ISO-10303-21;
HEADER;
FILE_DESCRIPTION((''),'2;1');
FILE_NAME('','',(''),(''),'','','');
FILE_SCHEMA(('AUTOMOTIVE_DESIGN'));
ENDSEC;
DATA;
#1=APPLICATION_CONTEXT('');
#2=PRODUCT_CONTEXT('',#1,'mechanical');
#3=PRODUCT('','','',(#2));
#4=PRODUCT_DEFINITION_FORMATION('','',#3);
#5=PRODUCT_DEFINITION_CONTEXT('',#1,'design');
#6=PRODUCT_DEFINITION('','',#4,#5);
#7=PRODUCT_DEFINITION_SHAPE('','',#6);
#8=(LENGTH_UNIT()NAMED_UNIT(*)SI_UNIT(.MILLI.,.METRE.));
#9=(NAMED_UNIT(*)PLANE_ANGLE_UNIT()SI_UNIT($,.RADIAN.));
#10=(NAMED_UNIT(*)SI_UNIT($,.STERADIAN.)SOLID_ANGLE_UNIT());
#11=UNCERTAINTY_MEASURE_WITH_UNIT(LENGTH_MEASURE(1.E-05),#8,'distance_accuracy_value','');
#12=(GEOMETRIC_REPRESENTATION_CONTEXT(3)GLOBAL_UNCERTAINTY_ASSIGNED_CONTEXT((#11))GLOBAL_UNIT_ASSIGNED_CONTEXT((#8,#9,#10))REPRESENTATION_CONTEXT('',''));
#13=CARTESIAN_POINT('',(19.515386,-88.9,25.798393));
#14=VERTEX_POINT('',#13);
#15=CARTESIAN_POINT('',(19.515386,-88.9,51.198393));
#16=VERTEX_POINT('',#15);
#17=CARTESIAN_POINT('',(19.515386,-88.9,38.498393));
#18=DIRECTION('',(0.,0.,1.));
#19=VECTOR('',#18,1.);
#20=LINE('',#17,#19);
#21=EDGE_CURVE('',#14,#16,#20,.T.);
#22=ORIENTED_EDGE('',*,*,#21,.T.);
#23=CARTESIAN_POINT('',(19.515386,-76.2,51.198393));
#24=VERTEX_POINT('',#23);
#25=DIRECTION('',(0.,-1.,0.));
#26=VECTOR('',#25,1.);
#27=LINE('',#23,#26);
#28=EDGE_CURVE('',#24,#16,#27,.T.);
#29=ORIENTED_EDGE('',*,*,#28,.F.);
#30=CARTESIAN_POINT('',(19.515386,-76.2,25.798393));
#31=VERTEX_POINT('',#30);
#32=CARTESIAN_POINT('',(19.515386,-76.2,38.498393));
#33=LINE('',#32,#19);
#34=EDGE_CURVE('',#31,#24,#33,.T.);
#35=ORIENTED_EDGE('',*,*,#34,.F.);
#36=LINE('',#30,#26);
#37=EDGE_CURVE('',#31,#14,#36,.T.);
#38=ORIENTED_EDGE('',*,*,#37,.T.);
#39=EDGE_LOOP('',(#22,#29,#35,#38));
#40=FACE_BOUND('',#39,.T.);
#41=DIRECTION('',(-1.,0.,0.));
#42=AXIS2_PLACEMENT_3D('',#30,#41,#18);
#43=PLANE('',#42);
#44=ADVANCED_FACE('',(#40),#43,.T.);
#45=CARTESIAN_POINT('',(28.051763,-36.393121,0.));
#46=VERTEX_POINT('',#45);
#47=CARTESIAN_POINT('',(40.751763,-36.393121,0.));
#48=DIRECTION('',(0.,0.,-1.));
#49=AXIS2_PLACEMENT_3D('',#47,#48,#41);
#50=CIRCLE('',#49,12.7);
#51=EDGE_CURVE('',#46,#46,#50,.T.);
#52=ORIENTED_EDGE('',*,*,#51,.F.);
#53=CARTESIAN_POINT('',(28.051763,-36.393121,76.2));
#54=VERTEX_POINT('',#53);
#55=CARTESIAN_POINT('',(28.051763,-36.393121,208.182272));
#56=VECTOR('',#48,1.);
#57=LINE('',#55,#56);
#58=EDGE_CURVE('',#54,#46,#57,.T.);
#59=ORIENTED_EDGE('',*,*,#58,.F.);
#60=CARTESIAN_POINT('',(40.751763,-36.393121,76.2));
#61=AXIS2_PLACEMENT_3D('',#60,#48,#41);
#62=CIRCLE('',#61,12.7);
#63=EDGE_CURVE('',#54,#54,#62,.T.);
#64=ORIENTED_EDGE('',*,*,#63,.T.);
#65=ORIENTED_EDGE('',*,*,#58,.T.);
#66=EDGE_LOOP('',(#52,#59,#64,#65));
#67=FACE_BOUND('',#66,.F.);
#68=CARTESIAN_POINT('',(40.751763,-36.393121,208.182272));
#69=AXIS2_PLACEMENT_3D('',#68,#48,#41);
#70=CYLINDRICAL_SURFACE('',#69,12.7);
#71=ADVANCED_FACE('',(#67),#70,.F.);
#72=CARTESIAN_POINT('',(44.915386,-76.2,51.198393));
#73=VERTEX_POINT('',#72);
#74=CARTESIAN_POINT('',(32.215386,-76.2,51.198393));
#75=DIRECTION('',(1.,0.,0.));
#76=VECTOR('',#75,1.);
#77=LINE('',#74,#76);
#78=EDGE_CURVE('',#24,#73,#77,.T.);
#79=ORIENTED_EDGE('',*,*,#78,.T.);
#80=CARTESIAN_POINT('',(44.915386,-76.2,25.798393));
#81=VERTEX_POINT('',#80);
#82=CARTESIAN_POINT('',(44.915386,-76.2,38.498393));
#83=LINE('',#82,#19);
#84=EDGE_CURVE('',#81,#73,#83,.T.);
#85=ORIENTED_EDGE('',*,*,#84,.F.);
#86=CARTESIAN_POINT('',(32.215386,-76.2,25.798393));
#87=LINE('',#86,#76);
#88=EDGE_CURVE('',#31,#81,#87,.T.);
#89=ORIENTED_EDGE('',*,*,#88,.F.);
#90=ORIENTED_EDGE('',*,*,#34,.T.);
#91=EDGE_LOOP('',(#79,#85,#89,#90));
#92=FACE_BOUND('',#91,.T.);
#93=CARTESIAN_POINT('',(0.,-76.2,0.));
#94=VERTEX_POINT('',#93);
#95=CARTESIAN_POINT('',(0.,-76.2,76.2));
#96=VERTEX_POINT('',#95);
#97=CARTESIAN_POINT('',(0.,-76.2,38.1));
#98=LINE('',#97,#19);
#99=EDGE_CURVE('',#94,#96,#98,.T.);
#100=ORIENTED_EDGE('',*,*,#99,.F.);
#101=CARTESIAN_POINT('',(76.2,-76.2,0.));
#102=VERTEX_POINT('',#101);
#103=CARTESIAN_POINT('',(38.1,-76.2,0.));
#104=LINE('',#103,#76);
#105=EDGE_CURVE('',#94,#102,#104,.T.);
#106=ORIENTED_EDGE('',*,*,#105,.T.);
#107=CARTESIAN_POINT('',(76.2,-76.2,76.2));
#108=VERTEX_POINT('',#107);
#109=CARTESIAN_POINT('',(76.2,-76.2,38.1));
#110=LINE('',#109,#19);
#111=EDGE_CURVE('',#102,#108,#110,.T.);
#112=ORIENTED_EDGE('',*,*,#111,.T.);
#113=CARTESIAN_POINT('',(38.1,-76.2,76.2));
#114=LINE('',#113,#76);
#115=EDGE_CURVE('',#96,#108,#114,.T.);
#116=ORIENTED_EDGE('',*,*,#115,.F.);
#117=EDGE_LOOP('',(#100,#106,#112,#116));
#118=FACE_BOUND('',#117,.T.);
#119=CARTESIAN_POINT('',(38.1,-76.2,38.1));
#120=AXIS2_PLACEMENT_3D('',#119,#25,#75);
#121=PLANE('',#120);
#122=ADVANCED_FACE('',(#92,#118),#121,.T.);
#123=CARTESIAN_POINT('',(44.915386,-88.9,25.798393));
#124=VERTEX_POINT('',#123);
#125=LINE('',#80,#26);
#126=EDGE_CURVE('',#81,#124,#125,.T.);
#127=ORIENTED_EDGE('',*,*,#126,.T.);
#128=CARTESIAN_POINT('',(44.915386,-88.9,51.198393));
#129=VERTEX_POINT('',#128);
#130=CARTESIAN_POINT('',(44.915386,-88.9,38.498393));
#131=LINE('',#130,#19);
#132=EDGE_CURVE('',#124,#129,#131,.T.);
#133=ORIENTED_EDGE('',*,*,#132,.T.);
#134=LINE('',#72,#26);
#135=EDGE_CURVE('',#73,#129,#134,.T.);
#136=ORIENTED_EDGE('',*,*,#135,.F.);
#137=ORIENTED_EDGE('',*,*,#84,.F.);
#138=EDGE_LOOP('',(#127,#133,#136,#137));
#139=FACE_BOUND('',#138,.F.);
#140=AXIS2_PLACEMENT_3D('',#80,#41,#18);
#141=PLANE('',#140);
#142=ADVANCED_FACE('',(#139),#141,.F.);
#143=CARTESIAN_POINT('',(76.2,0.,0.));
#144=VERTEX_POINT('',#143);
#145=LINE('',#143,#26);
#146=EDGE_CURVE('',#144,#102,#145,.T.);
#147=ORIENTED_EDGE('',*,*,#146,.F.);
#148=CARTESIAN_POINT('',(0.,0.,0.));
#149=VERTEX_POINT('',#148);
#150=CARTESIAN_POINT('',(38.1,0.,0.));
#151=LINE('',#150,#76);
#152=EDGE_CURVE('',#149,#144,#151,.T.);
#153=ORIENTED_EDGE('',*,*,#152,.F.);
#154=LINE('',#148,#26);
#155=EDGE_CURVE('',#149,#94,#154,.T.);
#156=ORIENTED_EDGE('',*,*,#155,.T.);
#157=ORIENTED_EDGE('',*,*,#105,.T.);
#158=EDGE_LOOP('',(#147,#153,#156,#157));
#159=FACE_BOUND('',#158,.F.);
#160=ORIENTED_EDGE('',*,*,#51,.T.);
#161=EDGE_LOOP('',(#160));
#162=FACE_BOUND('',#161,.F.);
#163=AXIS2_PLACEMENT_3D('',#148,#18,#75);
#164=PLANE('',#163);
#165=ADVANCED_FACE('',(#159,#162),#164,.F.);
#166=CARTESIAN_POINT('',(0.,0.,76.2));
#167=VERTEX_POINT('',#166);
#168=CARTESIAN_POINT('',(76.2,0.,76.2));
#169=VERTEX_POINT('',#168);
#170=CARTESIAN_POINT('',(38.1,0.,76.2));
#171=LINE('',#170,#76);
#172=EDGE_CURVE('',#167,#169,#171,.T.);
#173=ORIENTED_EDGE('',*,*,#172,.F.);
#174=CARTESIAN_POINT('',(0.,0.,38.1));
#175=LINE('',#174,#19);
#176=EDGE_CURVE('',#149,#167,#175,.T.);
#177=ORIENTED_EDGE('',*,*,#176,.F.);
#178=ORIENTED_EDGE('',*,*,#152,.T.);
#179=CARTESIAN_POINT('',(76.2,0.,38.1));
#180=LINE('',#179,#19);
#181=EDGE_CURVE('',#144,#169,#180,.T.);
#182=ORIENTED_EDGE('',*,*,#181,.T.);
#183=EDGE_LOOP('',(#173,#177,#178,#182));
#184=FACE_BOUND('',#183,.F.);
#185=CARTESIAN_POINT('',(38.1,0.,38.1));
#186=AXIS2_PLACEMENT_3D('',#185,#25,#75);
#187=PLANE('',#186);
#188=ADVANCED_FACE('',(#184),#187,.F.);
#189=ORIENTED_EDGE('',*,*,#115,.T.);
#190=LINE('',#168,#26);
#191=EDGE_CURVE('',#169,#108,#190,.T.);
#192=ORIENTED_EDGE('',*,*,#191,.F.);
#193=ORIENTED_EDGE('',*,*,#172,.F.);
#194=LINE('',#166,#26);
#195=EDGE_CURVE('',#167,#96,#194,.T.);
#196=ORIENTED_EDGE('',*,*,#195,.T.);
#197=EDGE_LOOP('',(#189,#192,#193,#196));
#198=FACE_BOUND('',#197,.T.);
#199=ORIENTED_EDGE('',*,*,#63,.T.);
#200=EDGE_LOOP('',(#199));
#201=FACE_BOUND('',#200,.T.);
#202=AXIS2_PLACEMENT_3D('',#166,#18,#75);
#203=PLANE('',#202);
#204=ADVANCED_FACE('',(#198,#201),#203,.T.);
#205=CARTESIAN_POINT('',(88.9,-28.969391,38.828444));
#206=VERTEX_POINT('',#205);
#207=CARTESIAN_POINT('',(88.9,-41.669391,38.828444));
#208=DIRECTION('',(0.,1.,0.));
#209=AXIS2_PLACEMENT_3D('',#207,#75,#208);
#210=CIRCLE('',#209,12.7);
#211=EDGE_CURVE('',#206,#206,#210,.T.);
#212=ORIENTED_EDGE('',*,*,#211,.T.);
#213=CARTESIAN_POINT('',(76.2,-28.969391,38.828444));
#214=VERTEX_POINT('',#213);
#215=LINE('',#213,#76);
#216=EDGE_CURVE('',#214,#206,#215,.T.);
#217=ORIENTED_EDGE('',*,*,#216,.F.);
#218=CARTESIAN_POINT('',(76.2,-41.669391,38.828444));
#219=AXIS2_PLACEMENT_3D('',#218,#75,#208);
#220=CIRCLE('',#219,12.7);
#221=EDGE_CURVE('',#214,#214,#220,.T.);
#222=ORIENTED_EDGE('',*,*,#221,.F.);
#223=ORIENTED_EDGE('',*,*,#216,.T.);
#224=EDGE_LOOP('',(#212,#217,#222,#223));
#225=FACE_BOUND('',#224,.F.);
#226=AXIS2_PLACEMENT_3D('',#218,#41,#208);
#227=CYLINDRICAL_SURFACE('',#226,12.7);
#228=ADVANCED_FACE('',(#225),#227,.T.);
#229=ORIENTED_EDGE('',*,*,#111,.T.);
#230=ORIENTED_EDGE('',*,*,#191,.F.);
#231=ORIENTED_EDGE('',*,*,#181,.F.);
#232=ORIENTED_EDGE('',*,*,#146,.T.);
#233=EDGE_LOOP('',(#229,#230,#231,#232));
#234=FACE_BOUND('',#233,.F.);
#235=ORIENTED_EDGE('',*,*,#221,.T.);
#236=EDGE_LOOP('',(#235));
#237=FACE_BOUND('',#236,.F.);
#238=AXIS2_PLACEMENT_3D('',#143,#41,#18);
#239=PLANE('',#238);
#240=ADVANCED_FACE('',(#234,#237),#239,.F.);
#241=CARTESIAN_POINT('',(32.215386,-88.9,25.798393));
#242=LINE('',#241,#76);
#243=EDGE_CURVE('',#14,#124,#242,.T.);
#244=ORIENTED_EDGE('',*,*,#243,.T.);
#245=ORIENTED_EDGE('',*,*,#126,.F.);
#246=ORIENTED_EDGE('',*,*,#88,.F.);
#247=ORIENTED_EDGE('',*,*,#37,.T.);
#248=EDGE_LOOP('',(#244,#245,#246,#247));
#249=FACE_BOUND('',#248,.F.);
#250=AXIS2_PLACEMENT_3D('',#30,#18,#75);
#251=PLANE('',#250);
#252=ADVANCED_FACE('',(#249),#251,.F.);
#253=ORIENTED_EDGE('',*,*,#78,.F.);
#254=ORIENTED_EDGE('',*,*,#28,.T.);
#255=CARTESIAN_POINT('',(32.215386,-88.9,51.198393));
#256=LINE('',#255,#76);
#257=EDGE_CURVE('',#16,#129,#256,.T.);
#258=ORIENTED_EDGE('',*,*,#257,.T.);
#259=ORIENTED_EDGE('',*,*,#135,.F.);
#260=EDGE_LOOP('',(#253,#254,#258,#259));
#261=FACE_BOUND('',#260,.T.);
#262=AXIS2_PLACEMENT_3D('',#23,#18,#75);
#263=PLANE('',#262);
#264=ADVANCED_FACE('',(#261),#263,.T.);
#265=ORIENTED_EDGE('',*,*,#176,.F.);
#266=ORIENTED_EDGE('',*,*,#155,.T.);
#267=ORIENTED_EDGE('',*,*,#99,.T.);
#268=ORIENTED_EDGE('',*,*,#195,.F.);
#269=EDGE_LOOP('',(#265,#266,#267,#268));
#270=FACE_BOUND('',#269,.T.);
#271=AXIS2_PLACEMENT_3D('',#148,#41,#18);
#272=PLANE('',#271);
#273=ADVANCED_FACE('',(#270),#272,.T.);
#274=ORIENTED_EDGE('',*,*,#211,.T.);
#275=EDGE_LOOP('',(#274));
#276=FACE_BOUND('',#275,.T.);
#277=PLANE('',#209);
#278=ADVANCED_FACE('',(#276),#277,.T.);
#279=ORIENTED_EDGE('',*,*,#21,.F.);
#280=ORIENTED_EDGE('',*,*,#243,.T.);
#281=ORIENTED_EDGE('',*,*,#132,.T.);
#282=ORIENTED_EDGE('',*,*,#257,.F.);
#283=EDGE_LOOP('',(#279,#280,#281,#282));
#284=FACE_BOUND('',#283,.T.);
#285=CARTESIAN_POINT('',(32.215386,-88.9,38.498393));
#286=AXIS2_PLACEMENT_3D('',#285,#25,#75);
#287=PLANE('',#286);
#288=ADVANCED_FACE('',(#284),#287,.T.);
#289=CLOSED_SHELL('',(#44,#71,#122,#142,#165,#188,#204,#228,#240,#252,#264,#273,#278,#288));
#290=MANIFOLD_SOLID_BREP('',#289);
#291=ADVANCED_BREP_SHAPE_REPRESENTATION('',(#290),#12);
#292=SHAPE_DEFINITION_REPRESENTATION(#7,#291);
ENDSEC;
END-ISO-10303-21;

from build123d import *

# Parameters (mm, degrees)
F0_W     = 76.2
F0_H     = 76.2
F1_DEPTH = 76.2
F3_D     = 25.4
F4_R     = 12.7
F5_DEPTH = 12.7
F6_W     = 25.4
F6_H     = 25.4
F7_DEPTH = 12.7


with BuildPart() as f1:
    # F0 (on Front) → F1 (new body)
    with BuildSketch(Plane.XZ):
        with Locations((38.1, 38.1)):
            Rectangle(F0_W, F0_H)
    extrude(amount=F1_DEPTH)

    # F3 (through all)
    with Locations(Plane.XY.offset(76.2)):
        with Locations((40.751763, -36.393121)):
            Hole(F3_D / 2)

    # F4 (on face) → F5 (join)
    with BuildSketch(Plane.YZ.offset(76.2)):
        with Locations((-41.669391, 38.828444)):
            Circle(F4_R)
    extrude(amount=F5_DEPTH)

    # F6 (on face) → F7 (join)
    with BuildSketch(Plane.XZ.offset(76.2)):
        with Locations((32.215386, 38.498393)):
            Rectangle(F6_W, F6_H)
    extrude(amount=F7_DEPTH)


solid = f1.part
